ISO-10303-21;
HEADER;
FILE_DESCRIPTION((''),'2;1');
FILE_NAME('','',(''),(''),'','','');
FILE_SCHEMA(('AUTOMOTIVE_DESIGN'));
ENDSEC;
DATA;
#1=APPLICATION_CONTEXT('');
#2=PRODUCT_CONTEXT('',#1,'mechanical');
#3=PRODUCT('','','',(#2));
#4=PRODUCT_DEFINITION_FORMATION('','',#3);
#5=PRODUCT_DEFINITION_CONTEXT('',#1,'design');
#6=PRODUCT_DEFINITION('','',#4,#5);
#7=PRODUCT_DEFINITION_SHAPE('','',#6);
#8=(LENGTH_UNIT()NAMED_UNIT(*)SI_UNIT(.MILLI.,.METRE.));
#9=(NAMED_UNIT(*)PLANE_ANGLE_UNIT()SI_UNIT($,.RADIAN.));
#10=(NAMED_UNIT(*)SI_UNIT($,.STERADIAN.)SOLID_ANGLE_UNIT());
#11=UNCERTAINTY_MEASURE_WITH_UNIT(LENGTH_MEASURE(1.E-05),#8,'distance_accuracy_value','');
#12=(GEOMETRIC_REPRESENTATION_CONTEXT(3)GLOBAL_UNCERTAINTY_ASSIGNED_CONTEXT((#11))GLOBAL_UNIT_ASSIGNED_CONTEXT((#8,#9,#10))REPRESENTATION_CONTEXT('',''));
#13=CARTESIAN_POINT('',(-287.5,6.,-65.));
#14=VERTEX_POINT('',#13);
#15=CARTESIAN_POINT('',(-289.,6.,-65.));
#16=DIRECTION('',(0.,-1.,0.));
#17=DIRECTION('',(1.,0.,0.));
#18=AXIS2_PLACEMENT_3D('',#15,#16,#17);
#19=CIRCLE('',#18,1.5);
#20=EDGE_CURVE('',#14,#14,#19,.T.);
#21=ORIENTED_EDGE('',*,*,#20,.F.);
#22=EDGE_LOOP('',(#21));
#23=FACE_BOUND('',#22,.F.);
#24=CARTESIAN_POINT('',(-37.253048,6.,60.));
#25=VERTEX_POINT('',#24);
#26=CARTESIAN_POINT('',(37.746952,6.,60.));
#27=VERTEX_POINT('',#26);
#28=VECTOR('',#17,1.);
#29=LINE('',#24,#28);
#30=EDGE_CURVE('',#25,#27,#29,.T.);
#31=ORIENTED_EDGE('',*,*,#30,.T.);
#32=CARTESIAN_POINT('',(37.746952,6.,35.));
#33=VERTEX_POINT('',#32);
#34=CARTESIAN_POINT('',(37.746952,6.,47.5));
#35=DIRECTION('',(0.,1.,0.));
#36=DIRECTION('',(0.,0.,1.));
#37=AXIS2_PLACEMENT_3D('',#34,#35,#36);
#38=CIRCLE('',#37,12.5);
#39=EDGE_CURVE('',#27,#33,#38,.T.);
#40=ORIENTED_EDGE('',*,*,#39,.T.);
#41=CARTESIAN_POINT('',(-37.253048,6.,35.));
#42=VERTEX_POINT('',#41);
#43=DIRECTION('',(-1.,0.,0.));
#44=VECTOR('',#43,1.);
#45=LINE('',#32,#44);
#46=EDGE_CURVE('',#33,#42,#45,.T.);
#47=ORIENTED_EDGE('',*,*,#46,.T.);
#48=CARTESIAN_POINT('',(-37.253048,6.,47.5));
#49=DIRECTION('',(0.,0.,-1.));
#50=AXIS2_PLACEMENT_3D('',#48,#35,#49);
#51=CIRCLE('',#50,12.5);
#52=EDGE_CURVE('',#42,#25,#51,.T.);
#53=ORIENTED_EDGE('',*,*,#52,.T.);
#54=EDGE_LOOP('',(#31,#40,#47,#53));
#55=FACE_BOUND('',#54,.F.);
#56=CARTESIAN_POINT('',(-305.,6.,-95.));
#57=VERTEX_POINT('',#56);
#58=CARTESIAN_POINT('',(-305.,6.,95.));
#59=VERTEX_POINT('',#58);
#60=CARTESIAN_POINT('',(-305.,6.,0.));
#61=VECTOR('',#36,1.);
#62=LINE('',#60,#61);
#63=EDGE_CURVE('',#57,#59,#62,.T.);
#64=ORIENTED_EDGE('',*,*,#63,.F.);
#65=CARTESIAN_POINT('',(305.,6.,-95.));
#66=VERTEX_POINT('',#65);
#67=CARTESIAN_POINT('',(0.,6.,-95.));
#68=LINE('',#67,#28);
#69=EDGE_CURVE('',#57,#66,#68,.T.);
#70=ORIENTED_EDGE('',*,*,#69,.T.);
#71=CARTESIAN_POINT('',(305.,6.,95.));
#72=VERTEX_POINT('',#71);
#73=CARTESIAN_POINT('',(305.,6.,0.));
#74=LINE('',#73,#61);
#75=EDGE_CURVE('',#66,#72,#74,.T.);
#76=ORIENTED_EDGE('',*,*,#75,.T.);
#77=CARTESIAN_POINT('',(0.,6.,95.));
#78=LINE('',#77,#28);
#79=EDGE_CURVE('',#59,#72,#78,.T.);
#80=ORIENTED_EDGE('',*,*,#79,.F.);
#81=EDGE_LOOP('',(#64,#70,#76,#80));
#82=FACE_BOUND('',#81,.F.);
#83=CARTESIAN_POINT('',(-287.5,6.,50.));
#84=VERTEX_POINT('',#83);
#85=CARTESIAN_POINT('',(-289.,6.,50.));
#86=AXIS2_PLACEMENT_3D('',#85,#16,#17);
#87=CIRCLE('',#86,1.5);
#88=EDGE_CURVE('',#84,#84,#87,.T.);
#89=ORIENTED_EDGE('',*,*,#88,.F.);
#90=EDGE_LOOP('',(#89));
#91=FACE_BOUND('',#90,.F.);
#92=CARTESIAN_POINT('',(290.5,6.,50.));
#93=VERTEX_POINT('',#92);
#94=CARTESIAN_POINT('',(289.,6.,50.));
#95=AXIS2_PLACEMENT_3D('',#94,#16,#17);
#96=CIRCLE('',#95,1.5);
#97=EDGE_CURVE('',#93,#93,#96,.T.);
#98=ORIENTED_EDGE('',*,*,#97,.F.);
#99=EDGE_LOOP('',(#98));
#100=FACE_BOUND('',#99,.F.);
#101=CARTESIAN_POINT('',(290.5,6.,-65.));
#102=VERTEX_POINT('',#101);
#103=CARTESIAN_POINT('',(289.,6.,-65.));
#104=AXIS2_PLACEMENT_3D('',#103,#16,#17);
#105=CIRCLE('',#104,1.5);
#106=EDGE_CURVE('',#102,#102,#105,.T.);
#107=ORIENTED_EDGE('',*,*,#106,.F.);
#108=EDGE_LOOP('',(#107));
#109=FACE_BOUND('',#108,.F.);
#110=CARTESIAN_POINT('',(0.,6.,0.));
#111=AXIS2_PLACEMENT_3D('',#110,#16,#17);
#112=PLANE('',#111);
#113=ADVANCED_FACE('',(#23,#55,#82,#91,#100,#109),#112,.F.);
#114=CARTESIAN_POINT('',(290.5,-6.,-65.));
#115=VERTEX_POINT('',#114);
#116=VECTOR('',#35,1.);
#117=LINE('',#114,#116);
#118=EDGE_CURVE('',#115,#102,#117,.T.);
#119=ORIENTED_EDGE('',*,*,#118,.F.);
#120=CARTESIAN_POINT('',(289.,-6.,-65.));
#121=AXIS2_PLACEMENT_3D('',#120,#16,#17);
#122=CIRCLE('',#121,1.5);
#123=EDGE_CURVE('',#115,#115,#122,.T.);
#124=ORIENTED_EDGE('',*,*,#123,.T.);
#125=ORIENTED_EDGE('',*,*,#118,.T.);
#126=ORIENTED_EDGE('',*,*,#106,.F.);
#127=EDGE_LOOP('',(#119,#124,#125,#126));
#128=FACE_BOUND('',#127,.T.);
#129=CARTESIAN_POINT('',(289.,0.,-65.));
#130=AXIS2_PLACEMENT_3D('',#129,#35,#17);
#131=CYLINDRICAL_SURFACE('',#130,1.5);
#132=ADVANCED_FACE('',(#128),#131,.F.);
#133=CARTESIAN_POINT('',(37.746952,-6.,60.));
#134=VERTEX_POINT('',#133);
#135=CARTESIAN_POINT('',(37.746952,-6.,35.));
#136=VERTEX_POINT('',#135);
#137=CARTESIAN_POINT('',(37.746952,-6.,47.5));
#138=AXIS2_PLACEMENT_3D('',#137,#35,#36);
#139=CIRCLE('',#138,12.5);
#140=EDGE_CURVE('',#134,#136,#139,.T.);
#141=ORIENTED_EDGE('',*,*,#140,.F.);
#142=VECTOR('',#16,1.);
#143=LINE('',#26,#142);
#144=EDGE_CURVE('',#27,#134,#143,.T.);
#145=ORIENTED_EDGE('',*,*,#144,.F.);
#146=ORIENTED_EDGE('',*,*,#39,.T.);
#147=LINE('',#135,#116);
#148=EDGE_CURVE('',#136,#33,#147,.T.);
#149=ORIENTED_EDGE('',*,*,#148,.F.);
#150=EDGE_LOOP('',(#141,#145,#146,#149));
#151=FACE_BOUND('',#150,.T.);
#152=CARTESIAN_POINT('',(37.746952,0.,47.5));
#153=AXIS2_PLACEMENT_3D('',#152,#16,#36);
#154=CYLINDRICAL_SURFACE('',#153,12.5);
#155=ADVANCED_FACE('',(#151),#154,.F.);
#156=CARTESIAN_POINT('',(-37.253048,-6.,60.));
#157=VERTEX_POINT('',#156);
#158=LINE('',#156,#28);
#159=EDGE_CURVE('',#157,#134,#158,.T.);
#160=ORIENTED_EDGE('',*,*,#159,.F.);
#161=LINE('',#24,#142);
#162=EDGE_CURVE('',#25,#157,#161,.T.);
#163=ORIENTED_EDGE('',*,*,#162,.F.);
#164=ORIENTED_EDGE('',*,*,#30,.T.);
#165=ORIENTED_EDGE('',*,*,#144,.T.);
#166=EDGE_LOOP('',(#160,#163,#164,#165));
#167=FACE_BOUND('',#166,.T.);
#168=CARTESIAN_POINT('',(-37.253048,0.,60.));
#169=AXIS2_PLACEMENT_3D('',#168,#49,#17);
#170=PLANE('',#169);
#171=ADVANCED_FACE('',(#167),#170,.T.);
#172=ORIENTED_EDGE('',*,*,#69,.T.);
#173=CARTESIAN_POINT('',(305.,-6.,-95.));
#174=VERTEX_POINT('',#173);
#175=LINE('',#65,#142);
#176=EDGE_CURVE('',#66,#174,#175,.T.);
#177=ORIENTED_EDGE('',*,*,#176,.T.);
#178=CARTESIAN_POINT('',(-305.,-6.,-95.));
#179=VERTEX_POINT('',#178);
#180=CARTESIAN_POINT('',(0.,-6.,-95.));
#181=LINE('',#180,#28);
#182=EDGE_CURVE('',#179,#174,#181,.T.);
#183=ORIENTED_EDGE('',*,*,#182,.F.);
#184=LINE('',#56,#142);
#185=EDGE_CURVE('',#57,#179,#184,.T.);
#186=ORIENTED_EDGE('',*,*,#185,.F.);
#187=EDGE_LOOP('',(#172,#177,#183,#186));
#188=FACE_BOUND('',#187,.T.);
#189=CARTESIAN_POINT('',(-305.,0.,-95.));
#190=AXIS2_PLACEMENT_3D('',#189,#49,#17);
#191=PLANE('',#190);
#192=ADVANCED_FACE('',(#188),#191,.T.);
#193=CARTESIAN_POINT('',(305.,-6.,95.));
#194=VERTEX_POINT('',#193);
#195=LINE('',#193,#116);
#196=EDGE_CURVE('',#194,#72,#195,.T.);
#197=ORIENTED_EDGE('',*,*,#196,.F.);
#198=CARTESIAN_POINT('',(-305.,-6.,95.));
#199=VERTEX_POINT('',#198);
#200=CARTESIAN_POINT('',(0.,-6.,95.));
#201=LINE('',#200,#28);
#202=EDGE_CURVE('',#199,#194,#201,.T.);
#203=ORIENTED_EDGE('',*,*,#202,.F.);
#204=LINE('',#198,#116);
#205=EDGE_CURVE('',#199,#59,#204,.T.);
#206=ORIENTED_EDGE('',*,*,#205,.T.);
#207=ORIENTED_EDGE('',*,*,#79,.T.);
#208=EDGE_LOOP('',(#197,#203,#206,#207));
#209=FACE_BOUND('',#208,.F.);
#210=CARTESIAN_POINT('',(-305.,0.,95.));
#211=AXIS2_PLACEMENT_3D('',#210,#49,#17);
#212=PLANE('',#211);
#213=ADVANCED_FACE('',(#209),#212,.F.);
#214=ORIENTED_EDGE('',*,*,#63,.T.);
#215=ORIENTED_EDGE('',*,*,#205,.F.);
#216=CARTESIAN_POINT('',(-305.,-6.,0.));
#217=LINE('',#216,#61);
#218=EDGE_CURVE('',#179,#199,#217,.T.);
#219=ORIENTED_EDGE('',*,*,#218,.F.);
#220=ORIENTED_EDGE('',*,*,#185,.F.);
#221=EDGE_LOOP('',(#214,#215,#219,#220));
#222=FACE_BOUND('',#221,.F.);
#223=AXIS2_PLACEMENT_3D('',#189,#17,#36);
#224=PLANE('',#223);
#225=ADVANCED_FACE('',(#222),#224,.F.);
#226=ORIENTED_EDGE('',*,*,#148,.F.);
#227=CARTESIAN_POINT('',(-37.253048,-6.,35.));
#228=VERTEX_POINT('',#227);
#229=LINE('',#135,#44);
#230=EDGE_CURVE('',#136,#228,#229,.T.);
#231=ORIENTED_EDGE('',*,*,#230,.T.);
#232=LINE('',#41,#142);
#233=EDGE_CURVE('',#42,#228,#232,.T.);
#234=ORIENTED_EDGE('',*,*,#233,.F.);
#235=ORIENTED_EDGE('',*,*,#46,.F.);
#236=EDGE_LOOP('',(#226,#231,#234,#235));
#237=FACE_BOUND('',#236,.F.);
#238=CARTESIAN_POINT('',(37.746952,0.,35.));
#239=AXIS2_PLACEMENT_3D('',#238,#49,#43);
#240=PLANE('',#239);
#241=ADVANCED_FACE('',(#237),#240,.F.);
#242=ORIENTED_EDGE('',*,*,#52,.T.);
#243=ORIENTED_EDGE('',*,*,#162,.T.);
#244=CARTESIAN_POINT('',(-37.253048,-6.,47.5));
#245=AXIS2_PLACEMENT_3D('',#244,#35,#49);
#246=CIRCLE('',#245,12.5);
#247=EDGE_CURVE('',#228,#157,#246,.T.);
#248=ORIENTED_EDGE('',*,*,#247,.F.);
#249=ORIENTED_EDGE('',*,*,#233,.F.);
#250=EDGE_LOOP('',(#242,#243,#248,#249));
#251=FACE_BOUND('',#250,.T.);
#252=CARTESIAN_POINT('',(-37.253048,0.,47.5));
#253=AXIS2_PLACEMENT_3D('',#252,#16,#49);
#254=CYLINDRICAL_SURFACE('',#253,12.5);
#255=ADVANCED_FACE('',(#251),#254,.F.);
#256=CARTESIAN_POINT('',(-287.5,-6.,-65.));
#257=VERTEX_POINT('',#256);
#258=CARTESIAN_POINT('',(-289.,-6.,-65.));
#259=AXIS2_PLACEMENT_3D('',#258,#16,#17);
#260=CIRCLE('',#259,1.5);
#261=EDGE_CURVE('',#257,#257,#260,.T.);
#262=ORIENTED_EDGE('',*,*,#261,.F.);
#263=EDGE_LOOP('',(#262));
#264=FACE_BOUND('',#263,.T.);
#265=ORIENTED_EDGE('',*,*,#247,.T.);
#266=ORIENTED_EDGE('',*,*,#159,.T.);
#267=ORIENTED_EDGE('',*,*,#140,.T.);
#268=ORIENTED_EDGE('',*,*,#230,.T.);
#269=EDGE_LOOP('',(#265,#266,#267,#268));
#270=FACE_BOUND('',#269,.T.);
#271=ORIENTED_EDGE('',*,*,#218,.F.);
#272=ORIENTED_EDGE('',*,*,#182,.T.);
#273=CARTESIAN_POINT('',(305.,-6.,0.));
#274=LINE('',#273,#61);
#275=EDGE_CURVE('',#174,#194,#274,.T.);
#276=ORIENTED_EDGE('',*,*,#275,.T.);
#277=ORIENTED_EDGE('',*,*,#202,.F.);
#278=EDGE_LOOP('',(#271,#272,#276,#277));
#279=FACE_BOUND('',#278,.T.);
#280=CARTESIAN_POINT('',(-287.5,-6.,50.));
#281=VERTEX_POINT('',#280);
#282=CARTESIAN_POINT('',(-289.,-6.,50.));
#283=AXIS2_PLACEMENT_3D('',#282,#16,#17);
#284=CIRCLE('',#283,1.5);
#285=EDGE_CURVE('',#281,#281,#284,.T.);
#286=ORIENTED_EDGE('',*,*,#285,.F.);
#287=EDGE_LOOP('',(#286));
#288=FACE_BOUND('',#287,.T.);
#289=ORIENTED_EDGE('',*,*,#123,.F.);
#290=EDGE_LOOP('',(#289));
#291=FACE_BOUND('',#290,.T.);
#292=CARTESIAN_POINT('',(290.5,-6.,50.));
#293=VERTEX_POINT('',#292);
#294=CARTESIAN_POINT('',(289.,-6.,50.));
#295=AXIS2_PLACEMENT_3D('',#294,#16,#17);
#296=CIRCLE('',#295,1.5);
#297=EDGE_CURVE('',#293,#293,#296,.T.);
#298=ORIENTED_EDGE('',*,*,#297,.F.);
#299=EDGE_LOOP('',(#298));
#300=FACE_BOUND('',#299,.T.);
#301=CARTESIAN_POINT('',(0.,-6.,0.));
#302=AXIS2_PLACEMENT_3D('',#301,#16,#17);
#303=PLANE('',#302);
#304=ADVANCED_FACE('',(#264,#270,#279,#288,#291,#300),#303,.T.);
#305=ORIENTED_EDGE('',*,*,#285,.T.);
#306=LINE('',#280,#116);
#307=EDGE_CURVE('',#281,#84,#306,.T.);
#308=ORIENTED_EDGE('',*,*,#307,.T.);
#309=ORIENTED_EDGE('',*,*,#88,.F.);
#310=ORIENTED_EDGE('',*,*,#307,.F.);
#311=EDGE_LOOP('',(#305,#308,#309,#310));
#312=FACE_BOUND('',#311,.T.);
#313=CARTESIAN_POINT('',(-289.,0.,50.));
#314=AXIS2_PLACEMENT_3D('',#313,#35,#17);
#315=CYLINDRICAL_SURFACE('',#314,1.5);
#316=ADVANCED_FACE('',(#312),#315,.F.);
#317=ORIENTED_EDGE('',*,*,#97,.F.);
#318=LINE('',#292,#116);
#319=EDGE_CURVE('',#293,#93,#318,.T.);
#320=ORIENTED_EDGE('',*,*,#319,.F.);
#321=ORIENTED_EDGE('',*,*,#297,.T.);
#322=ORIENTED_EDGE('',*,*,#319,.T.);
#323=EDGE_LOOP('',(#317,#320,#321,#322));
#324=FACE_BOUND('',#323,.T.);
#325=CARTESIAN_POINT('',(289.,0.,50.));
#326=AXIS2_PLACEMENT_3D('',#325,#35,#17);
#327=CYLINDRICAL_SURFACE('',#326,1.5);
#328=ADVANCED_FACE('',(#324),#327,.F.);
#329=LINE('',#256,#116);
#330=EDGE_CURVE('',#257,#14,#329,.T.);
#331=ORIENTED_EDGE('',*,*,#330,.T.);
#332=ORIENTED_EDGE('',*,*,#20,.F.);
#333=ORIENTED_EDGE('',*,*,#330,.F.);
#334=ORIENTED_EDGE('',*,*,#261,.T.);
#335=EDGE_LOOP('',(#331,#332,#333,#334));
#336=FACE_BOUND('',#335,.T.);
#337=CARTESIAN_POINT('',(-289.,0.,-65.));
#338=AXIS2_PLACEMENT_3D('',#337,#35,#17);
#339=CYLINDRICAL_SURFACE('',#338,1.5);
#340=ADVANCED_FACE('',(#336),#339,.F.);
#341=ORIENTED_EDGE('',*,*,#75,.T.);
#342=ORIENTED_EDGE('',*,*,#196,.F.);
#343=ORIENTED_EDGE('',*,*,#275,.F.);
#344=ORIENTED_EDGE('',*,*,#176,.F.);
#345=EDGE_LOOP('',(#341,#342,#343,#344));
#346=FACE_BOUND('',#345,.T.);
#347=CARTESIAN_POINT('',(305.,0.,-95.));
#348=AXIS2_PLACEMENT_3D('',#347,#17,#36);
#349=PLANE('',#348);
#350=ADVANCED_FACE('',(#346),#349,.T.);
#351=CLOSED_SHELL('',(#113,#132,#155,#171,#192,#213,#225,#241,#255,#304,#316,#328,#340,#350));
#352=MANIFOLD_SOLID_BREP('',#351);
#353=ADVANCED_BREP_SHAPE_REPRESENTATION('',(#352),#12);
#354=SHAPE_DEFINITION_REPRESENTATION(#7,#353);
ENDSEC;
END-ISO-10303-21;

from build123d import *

# Parameters (mm, degrees)
F0_W     = 610
F0_H     = 190
F0_R     = 1.5
F1_DEPTH = 6


with BuildPart() as f1:
    # F0 (on Front) → F1 (new body, symmetric)
    with BuildSketch(Plane.XZ):
        Rectangle(F0_W, F0_H)
        with Locations((-289, -65)):
            Circle(F0_R, mode=Mode.SUBTRACT)
        with Locations((289, -65)):
            Circle(F0_R, mode=Mode.SUBTRACT)
        with Locations((-289, 50)):
            Circle(F0_R, mode=Mode.SUBTRACT)
        with BuildLine():
            ThreePointArc((37.7469517291, 60), (50.2469517291, 47.5), (37.7469517291, 35))
            Line((37.7469517291, 35), (-37.2530482709, 35))
            ThreePointArc((-37.2530482709, 35), (-49.7530482709, 47.5), (-37.2530482709, 60))
            Line((-37.2530482709, 60), (37.7469517291, 60))
        make_face(mode=Mode.SUBTRACT)
        with Locations((289, 50)):
            Circle(F0_R, mode=Mode.SUBTRACT)
    extrude(amount=F1_DEPTH, both=True)


solid = f1.part
